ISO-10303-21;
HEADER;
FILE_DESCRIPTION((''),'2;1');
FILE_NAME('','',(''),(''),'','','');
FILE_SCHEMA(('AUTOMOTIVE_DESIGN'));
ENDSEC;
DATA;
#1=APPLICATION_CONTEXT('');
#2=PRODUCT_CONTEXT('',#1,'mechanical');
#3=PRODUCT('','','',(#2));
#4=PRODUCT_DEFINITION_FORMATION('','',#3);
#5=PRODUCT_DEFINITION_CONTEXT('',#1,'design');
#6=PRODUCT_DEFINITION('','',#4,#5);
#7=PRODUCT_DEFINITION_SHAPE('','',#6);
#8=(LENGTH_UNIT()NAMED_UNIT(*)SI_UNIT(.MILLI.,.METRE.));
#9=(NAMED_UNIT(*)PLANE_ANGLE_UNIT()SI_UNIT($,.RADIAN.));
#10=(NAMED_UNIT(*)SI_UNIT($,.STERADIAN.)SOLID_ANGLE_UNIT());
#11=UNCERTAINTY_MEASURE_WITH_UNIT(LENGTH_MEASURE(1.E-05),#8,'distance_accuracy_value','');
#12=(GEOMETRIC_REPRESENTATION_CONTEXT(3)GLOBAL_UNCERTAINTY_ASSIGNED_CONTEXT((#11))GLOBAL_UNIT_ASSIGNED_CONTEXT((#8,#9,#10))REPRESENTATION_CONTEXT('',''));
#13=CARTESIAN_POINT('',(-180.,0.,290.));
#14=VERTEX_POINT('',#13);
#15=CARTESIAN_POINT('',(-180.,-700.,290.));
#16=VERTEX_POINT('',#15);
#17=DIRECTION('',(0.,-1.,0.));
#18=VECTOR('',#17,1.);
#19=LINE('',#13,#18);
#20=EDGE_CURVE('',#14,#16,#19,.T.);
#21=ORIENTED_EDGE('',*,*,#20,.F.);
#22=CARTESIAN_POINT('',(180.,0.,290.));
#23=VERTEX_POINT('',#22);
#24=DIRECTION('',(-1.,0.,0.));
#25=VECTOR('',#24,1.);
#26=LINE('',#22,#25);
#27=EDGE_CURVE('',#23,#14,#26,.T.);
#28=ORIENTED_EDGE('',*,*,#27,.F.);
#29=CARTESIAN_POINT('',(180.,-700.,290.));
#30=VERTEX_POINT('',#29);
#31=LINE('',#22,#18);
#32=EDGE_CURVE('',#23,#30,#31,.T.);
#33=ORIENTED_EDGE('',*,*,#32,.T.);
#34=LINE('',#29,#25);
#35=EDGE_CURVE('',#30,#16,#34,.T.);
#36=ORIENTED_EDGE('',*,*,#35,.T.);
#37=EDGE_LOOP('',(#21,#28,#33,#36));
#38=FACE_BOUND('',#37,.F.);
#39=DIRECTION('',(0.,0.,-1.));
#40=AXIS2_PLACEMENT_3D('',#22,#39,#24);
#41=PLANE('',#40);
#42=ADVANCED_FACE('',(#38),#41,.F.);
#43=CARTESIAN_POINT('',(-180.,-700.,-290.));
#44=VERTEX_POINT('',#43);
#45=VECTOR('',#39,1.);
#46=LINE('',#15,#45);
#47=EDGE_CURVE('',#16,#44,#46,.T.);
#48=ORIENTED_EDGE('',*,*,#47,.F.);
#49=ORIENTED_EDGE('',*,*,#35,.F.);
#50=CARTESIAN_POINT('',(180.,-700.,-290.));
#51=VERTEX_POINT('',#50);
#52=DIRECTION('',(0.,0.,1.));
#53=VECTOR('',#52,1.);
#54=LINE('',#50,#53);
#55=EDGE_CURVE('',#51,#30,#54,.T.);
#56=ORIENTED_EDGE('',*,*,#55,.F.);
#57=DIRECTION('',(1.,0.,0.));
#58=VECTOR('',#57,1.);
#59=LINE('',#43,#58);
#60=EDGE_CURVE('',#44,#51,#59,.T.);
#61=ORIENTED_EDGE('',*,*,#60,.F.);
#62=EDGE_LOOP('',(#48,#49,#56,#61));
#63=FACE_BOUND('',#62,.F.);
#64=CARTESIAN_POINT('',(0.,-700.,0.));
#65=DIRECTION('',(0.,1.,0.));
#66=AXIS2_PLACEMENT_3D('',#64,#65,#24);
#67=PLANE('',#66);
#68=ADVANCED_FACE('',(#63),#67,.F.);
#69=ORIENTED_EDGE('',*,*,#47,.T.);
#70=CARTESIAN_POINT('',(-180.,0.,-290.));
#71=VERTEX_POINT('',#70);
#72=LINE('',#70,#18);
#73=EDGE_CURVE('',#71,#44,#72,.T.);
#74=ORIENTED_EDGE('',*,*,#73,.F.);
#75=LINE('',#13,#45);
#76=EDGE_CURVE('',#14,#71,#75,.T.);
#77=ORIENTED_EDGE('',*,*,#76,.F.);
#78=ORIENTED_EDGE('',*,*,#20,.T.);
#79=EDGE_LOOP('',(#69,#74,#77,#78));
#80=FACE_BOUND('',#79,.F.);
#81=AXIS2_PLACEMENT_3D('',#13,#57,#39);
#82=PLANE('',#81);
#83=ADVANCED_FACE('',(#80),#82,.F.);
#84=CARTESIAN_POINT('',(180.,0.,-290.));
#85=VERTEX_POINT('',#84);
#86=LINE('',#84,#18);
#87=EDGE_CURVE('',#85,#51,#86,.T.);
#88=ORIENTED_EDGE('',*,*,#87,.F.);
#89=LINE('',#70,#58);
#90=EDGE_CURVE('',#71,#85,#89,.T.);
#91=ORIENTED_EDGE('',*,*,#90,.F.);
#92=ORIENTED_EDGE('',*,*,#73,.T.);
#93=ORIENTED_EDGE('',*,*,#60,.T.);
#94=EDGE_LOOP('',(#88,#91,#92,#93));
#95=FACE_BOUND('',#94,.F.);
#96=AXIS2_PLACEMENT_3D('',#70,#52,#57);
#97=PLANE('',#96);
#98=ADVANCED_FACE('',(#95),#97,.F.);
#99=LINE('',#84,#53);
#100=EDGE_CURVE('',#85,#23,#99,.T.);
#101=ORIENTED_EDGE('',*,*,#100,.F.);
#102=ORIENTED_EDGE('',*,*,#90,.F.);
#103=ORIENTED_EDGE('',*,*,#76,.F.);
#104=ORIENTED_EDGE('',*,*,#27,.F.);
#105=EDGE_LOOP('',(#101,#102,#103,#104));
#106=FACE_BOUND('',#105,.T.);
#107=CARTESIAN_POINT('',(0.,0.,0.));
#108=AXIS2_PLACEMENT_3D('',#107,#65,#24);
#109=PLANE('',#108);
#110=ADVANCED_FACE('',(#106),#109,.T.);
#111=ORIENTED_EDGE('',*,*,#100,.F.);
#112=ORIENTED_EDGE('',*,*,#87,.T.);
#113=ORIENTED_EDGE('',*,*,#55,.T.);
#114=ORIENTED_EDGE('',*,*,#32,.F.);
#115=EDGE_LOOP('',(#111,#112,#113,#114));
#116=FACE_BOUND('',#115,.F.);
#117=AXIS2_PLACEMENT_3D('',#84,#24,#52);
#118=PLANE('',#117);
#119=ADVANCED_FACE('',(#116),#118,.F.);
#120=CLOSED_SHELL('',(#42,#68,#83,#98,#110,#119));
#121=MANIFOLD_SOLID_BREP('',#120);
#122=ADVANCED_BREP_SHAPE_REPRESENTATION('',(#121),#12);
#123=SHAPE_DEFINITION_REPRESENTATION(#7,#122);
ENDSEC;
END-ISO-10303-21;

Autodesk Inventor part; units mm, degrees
ref_plane "YZ Plane" through (0, 0, 0) normal (1, 0, 0) x (0, 1, 0)
ref_plane "XZ Plane" through (0, 0, 0) normal (0, 1, 0) x (-1, 0, 0)
ref_plane "XY Plane" through (0, 0, 0) normal (0, 0, 1) x (1, 0, 0)
sketch "Sketch1" plane through (0, 0, 0) normal (0, 1, 0) x (-1, 0, 0)
  line L0 (-180, 290) -> (180, 290)
  line L1 (180, 290) -> (180, -290)
  line L2 (180, -290) -> (-180, -290)
  line L3 (-180, -290) -> (-180, 290)
  point P0 (0, 0)
  dimension "d0" = 290
  dimension "d1" = 180
  dimension "d2" = 360
  dimension "d3" = 580
extrude "Extrusion1" add sketch "Sketch1" against normal blind 700
properties part number "alex"
